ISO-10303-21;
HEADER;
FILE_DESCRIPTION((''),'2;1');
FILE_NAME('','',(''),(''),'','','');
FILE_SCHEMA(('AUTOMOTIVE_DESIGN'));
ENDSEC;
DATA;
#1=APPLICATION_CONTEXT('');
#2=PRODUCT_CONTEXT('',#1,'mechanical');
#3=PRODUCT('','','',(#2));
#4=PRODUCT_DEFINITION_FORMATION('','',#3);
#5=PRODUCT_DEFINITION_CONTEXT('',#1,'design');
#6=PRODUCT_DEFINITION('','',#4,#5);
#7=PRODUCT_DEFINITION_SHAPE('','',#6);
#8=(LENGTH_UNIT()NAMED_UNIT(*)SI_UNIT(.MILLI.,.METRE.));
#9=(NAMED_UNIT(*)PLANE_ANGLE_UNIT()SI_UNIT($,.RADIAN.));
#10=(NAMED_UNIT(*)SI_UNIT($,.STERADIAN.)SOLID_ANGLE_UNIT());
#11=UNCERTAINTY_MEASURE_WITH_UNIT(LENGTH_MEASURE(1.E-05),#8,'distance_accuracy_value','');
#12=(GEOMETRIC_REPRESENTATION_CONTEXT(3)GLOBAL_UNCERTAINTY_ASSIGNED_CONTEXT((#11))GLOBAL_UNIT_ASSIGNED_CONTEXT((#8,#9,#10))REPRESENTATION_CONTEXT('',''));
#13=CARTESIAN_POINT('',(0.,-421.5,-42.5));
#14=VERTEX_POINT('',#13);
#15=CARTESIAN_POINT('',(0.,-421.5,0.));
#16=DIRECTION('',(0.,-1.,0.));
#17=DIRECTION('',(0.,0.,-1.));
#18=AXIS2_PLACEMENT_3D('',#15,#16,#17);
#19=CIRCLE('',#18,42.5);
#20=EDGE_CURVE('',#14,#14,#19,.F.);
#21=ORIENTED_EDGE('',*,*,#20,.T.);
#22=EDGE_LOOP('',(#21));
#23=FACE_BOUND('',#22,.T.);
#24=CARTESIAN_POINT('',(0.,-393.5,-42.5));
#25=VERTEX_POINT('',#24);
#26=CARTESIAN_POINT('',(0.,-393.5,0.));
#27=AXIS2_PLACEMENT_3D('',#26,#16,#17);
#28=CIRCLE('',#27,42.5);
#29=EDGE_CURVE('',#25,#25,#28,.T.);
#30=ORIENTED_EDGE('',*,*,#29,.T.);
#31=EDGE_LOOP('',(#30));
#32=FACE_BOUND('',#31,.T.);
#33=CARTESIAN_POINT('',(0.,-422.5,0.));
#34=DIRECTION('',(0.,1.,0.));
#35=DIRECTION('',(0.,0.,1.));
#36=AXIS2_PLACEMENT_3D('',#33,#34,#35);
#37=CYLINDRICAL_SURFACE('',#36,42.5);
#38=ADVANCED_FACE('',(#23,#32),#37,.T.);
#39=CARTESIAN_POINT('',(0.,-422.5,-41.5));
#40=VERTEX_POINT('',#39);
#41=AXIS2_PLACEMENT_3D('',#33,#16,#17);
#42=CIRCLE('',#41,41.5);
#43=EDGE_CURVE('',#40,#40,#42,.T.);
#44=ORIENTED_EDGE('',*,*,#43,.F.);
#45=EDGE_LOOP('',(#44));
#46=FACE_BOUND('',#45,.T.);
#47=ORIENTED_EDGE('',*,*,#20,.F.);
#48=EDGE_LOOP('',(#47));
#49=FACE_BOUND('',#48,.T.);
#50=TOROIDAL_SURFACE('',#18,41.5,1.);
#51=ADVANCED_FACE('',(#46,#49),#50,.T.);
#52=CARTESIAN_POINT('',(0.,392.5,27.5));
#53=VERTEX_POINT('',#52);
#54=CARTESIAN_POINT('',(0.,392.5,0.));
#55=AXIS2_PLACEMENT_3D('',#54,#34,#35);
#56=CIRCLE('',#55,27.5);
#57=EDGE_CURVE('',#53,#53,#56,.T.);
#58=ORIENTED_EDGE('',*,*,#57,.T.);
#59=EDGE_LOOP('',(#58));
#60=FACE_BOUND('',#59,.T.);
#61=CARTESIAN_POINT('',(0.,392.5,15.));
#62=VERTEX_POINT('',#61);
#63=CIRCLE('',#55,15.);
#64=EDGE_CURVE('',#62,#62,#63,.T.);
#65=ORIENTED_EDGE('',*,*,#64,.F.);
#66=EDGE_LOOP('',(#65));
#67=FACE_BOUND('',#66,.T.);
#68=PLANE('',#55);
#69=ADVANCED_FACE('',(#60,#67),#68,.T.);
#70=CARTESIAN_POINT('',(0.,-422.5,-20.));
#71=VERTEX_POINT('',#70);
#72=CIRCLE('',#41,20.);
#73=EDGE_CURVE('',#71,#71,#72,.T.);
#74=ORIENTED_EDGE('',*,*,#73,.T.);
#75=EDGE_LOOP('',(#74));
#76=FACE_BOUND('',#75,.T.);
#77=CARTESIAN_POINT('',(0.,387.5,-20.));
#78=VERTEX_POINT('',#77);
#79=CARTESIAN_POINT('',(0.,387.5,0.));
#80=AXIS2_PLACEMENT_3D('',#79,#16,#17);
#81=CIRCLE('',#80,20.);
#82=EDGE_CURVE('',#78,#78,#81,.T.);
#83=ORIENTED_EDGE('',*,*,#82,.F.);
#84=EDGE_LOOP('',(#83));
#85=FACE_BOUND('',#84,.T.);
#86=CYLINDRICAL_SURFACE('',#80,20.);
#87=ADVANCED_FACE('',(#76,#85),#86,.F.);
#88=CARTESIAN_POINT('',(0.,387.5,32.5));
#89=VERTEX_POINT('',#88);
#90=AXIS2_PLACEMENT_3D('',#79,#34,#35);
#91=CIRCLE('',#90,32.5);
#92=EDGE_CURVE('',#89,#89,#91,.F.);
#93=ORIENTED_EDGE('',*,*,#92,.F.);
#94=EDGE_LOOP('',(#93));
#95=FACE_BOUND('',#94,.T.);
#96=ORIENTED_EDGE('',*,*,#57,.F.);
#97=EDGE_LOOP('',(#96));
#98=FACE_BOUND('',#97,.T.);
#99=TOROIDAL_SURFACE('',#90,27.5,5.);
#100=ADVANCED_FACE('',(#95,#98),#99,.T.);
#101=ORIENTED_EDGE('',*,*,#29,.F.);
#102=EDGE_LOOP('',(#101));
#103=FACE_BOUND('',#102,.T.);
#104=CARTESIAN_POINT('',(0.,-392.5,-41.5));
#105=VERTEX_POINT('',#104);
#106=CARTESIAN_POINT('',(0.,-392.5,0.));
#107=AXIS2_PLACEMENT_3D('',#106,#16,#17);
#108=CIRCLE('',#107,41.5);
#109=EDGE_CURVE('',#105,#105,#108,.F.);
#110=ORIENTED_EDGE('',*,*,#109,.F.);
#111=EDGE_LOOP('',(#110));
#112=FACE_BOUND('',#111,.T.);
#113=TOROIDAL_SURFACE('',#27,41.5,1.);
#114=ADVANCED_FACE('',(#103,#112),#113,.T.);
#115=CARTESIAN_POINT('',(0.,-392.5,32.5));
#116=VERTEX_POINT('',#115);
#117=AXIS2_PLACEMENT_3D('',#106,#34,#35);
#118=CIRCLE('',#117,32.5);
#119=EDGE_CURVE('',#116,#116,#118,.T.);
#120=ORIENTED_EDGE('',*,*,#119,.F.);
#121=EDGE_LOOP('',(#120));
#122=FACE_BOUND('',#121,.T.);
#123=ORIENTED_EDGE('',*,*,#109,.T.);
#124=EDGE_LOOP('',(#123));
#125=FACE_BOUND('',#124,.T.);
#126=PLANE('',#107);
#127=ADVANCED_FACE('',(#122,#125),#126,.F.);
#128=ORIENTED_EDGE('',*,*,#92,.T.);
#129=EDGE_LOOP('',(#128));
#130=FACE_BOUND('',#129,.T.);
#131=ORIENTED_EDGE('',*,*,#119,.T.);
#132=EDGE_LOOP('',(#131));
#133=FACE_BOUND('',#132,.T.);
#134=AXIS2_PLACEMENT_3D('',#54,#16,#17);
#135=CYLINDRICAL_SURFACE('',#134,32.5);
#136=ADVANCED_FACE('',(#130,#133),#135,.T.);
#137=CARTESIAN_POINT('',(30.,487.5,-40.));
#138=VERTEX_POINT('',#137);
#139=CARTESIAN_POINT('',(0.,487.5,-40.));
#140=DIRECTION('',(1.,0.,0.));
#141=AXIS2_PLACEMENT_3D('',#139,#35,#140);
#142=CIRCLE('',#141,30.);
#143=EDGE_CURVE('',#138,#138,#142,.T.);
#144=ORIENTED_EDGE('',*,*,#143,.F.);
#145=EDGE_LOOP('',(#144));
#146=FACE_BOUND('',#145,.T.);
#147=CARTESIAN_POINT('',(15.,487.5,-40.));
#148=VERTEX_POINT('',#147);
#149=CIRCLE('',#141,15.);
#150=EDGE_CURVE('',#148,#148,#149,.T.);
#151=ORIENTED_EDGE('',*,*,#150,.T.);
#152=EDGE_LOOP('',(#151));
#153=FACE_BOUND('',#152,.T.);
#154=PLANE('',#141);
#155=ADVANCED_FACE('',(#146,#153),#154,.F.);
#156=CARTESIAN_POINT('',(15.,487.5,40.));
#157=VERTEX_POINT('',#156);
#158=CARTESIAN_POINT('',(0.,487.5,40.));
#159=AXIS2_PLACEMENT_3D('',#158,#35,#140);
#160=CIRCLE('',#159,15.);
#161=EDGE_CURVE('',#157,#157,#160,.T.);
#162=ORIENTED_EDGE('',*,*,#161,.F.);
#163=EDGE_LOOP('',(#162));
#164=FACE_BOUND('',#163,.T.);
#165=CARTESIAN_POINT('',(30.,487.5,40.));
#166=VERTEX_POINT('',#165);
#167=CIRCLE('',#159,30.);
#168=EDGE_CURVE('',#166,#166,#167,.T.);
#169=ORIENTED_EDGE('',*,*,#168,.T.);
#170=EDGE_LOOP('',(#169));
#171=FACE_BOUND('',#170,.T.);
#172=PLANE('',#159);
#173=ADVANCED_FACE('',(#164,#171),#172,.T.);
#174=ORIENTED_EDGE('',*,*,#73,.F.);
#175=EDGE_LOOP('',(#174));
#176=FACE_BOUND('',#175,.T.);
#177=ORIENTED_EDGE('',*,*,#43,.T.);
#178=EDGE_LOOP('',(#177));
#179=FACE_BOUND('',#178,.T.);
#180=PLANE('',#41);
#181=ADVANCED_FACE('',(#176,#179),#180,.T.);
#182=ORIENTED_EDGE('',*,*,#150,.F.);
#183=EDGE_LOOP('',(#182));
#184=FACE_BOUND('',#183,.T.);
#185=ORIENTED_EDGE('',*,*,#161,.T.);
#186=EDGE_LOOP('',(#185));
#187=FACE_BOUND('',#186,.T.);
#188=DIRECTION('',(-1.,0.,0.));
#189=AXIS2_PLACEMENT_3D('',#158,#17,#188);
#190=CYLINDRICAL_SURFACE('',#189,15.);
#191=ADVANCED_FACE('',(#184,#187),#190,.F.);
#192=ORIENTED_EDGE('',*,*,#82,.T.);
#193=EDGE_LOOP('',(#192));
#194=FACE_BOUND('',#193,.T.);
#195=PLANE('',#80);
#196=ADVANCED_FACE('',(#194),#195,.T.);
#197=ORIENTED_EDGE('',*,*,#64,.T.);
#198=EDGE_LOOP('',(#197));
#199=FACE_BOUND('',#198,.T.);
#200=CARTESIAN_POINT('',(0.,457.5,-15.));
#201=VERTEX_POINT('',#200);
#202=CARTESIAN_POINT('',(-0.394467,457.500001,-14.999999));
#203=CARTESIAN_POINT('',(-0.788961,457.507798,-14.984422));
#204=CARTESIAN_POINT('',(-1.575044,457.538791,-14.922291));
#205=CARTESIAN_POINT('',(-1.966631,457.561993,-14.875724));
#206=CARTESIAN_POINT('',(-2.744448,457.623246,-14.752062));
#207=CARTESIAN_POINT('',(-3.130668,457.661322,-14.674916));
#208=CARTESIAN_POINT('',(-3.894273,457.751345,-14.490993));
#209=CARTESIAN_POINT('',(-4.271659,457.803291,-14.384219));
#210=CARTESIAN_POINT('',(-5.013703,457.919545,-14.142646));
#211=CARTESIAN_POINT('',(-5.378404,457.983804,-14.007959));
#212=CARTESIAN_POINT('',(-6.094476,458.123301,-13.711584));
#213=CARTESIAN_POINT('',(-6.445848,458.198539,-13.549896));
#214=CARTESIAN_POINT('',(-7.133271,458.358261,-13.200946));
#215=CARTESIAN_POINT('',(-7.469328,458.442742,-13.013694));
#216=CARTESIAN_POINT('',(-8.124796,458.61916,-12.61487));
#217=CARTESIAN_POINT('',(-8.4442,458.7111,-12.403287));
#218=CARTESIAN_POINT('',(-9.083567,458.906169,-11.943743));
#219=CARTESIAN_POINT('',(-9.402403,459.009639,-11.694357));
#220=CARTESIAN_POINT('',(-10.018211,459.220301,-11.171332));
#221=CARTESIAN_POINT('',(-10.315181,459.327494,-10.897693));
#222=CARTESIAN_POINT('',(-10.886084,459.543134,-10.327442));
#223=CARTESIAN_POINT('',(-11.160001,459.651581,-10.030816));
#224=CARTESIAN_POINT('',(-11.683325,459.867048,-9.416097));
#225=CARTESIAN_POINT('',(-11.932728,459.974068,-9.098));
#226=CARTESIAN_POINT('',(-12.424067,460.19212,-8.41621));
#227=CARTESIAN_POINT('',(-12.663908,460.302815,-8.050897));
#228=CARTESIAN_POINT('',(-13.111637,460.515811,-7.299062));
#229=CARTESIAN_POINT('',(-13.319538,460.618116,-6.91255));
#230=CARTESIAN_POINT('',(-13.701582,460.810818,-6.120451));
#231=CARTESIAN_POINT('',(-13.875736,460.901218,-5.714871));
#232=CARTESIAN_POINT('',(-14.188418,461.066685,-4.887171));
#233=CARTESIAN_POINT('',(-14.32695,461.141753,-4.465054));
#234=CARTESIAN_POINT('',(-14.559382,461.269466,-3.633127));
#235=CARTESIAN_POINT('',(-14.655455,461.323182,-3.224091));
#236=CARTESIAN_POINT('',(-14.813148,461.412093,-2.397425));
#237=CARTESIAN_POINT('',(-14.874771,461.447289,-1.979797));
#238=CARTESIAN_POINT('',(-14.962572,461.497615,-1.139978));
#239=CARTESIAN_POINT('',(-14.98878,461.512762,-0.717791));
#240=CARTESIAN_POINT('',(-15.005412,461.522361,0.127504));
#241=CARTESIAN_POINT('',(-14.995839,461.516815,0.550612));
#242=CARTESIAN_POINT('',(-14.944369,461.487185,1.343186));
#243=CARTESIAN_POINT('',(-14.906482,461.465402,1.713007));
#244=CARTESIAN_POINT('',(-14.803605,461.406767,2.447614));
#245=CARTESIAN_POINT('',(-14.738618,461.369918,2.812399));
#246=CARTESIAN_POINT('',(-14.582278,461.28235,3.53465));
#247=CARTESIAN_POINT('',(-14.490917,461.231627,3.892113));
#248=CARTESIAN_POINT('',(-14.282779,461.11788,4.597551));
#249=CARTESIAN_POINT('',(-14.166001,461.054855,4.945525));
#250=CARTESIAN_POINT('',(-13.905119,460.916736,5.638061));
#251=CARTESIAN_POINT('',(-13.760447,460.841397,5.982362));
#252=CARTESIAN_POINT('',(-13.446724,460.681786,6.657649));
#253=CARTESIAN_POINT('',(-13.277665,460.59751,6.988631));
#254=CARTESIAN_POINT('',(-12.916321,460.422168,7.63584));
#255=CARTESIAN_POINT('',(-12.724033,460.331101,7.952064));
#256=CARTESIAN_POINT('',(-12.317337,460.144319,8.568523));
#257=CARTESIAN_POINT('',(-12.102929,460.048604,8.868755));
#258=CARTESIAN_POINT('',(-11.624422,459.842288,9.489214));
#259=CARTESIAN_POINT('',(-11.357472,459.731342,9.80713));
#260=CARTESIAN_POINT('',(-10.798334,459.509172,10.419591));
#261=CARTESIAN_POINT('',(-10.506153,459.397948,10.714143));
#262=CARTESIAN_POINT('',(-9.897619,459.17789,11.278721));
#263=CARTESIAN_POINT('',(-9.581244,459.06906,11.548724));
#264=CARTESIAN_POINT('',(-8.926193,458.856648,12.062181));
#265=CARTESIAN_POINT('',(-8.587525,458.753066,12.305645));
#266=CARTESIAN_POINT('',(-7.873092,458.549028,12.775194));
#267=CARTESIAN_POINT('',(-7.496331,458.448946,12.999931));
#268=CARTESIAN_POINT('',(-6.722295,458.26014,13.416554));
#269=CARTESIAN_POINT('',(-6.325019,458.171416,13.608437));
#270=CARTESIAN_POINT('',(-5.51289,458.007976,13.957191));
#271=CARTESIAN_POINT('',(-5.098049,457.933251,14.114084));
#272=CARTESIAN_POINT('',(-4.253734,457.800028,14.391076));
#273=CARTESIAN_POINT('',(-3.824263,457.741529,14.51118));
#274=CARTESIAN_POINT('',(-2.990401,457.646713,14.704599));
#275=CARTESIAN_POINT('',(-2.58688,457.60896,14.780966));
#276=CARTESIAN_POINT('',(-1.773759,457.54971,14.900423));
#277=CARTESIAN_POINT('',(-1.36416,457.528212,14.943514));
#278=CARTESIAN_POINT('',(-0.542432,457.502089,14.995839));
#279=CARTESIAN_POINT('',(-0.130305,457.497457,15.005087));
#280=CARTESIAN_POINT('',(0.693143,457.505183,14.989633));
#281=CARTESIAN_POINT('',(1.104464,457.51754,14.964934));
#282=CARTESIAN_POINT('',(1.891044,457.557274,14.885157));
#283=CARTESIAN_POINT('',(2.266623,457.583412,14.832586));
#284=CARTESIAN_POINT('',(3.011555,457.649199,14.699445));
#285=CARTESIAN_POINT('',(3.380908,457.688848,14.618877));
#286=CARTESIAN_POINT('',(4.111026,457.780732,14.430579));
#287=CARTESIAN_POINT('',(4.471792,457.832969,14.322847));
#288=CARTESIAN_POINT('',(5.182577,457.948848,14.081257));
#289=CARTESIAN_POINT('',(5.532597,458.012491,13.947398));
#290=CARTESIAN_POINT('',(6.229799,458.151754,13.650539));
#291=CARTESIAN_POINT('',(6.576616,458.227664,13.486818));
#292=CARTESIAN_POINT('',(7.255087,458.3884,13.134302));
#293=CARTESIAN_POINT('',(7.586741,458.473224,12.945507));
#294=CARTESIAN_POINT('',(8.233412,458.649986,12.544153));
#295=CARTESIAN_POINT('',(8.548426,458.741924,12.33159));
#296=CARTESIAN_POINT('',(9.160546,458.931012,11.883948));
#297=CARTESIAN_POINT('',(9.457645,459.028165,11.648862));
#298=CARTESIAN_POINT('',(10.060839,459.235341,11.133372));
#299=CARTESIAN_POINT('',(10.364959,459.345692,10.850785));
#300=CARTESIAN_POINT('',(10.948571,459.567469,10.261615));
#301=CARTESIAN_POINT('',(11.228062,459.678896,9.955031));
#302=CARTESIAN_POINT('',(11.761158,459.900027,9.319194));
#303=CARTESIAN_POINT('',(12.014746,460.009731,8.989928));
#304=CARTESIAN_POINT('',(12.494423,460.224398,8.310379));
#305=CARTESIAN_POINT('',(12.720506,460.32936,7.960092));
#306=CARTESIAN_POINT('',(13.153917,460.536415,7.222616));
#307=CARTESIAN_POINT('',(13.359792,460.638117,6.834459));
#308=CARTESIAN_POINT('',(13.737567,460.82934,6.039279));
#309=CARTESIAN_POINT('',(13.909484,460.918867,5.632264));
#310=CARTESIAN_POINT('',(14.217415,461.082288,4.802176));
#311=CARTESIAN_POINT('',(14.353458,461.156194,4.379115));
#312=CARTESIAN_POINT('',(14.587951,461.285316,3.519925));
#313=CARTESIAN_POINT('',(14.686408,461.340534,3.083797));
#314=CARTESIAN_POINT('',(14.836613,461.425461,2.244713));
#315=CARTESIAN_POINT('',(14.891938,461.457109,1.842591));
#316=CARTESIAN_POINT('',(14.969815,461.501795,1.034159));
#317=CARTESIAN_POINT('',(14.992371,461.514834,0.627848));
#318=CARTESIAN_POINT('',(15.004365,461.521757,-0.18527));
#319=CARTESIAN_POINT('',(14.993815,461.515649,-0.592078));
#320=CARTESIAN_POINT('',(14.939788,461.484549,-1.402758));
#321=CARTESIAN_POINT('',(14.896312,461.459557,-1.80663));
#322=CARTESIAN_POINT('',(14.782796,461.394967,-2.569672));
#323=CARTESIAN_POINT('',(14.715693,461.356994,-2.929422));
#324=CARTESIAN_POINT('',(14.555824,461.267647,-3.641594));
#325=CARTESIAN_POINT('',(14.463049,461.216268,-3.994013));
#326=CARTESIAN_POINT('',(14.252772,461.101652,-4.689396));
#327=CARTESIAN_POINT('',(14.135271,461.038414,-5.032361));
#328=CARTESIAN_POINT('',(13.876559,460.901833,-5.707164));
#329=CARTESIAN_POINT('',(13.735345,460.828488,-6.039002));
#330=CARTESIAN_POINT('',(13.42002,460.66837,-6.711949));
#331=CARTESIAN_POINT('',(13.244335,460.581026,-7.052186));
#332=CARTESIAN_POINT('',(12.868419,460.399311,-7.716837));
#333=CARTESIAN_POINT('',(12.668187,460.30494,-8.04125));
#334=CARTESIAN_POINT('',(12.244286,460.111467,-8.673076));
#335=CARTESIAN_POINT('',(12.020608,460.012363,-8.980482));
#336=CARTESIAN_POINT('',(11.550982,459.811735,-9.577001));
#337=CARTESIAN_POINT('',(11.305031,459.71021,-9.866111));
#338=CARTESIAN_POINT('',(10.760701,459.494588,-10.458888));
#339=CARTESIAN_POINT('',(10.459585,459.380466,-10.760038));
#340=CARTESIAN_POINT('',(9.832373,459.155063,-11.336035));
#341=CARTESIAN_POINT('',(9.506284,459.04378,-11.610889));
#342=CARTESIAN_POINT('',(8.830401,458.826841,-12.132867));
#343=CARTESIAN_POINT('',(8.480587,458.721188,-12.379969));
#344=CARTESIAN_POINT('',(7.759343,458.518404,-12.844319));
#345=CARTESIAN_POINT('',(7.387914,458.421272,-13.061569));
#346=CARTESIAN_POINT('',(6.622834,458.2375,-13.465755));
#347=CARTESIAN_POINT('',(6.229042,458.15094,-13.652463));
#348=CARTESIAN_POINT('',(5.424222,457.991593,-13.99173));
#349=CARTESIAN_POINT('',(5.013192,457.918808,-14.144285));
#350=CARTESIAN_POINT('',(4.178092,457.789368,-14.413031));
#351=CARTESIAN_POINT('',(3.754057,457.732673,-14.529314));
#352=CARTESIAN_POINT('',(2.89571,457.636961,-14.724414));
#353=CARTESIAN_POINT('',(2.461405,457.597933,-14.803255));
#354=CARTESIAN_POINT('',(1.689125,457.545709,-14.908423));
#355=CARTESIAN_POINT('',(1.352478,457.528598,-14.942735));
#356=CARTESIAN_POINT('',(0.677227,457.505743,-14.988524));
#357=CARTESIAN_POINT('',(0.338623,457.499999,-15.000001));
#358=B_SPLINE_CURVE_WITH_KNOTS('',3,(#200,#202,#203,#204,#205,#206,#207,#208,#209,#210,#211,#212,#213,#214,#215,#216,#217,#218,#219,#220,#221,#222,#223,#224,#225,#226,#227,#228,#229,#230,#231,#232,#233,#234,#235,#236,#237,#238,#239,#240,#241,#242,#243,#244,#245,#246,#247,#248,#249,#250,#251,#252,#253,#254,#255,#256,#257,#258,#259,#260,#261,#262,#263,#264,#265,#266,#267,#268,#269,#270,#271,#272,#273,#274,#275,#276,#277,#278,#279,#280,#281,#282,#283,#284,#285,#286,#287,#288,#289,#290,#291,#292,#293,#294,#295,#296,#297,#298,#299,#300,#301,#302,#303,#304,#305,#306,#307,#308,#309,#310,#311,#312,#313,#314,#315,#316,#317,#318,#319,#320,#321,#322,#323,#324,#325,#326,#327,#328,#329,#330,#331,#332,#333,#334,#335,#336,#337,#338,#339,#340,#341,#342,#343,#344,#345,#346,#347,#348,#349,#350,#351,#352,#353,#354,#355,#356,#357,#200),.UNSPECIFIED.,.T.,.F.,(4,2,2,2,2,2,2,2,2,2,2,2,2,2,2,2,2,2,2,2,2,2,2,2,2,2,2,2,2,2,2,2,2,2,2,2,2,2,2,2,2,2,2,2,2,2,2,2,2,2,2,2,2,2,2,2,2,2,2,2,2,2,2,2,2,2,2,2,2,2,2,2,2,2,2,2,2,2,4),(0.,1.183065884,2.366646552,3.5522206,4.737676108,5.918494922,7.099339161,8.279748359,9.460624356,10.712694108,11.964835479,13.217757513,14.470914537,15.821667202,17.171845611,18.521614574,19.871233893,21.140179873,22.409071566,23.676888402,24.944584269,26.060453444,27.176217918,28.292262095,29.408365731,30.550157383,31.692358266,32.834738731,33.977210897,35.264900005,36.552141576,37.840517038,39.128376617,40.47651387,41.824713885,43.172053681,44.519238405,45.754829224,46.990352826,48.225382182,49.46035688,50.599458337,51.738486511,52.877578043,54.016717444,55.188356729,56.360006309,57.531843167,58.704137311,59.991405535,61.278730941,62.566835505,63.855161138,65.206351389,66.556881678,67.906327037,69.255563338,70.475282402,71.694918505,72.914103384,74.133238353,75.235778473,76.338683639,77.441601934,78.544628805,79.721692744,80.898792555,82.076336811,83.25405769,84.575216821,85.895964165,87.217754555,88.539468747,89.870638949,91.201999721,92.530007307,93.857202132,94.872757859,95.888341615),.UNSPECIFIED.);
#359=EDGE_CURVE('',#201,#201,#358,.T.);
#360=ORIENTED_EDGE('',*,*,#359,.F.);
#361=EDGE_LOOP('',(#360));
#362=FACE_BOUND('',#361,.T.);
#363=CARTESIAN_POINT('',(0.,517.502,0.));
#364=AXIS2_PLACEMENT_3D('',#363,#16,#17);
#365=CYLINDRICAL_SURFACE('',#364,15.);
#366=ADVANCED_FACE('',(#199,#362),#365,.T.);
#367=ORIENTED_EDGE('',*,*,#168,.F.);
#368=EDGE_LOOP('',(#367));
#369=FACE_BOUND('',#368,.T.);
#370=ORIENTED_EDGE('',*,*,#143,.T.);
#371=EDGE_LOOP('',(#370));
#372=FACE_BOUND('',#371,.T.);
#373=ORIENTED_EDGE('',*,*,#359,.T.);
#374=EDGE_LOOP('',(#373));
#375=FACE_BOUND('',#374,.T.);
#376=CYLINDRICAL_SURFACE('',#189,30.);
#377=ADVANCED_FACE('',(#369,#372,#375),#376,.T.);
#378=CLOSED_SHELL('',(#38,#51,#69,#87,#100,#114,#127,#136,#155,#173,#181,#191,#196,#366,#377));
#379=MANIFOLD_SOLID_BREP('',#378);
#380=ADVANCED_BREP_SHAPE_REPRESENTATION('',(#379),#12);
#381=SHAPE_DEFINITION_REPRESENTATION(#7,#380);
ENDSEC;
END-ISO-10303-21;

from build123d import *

# Parameters (mm, degrees)
SKETCH1_R                = 32.5
BOSS_EXTRUDE1_DEPTH      = 392.5
FILLET1_R                = 5
SKETCH2_R                = 42.5
BOSS_EXTRUDE2_DEPTH      = 30
SKETCH3_R                = 20
CUT_EXTRUDE1_DEPTH       = 810
SKETCH4_R                = 30
SKETCH4_R_2              = 15
BOSS_EXTRUDE3_DEPTH      = 40
BOSS_EXTRUDE4_REACH      = 819.213
BOSS_EXTRUDE4_END_RADIUS = 30
SKETCH5_R                = 15
FILLET2_R                = 1


with BuildPart() as part:
    # Sketch1 → Boss-Extrude1 (new, symmetric)
    with BuildSketch(Plane(origin=(0, 0, 0), x_dir=(1, 0, 0), z_dir=(0, 1, 0))):
        with Locations(Location((0, 0, 0), (0, 0, 270))):
            Circle(SKETCH1_R)
    extrude(amount=BOSS_EXTRUDE1_DEPTH, both=True)

    # Fillet1
    fillet1_edges = [part.edges().sort_by_distance(p)[0] for p in [
        (0, 392.5, -32.5),
    ]]
    fillet(fillet1_edges, radius=FILLET1_R)

    # Sketch2 → Boss-Extrude2 (add)
    with BuildSketch(Plane.XZ.offset(392.5)):
        with Locations(Location((0, 0, 0), (0, 0, 270))):
            Circle(SKETCH2_R)
    extrude(amount=BOSS_EXTRUDE2_DEPTH)

    # Sketch3 → Cut-Extrude1 (cut)
    with BuildSketch(Plane.XZ.offset(422.5)):
        with Locations(Location((0, 0, 0), (0, 0, 270))):
            Circle(SKETCH3_R)
    extrude(amount=-CUT_EXTRUDE1_DEPTH, mode=Mode.SUBTRACT)



with BuildPart() as body_2:
    # Sketch4 → Boss-Extrude3 (new, symmetric)
    with BuildSketch(Plane.XY):
        with Locations((0, 487.5)):
            Circle(SKETCH4_R)
        with Locations((0, 487.5)):
            Circle(SKETCH4_R_2, mode=Mode.SUBTRACT)
    extrude(amount=BOSS_EXTRUDE3_DEPTH, both=True)


with BuildPart() as part_1:
    add(part.part)

    add(body_2.part)  # Boss-Extrude4 merges body 2
    # Boss-Extrude4: up to this cylinder (the profile starts outside it)
    boss_extrude4_end = Plane(origin=(0, 487.5, 0), z_dir=(0, 0, -1)) * Cylinder(BOSS_EXTRUDE4_END_RADIUS, 1699.426, mode=Mode.PRIVATE)
    # Sketch5 → Boss-Extrude4 (add, up to the surface)
    with BuildSketch(Plane(origin=(0, 392.5, 0), x_dir=(1, 0, 0), z_dir=(0, 1, 0)), mode=Mode.PRIVATE) as boss_extrude4_sk1:
        with Locations(Location((0, 0, 0), (0, 0, 90))):
            Circle(SKETCH5_R)
    boss_extrude4_tool1 = extrude(boss_extrude4_sk1.sketch, amount=BOSS_EXTRUDE4_REACH, mode=Mode.PRIVATE) - boss_extrude4_end
    add(boss_extrude4_tool1.solids().sort_by_distance((0, 392.5, 0))[0])

    # Fillet2
    fillet2_edges = [part_1.edges().sort_by_distance(p)[0] for p in [
        (0, -392.5, 42.5),
        (0, -422.5, 42.5),
    ]]
    fillet(fillet2_edges, radius=FILLET2_R)


solid = part_1.part
